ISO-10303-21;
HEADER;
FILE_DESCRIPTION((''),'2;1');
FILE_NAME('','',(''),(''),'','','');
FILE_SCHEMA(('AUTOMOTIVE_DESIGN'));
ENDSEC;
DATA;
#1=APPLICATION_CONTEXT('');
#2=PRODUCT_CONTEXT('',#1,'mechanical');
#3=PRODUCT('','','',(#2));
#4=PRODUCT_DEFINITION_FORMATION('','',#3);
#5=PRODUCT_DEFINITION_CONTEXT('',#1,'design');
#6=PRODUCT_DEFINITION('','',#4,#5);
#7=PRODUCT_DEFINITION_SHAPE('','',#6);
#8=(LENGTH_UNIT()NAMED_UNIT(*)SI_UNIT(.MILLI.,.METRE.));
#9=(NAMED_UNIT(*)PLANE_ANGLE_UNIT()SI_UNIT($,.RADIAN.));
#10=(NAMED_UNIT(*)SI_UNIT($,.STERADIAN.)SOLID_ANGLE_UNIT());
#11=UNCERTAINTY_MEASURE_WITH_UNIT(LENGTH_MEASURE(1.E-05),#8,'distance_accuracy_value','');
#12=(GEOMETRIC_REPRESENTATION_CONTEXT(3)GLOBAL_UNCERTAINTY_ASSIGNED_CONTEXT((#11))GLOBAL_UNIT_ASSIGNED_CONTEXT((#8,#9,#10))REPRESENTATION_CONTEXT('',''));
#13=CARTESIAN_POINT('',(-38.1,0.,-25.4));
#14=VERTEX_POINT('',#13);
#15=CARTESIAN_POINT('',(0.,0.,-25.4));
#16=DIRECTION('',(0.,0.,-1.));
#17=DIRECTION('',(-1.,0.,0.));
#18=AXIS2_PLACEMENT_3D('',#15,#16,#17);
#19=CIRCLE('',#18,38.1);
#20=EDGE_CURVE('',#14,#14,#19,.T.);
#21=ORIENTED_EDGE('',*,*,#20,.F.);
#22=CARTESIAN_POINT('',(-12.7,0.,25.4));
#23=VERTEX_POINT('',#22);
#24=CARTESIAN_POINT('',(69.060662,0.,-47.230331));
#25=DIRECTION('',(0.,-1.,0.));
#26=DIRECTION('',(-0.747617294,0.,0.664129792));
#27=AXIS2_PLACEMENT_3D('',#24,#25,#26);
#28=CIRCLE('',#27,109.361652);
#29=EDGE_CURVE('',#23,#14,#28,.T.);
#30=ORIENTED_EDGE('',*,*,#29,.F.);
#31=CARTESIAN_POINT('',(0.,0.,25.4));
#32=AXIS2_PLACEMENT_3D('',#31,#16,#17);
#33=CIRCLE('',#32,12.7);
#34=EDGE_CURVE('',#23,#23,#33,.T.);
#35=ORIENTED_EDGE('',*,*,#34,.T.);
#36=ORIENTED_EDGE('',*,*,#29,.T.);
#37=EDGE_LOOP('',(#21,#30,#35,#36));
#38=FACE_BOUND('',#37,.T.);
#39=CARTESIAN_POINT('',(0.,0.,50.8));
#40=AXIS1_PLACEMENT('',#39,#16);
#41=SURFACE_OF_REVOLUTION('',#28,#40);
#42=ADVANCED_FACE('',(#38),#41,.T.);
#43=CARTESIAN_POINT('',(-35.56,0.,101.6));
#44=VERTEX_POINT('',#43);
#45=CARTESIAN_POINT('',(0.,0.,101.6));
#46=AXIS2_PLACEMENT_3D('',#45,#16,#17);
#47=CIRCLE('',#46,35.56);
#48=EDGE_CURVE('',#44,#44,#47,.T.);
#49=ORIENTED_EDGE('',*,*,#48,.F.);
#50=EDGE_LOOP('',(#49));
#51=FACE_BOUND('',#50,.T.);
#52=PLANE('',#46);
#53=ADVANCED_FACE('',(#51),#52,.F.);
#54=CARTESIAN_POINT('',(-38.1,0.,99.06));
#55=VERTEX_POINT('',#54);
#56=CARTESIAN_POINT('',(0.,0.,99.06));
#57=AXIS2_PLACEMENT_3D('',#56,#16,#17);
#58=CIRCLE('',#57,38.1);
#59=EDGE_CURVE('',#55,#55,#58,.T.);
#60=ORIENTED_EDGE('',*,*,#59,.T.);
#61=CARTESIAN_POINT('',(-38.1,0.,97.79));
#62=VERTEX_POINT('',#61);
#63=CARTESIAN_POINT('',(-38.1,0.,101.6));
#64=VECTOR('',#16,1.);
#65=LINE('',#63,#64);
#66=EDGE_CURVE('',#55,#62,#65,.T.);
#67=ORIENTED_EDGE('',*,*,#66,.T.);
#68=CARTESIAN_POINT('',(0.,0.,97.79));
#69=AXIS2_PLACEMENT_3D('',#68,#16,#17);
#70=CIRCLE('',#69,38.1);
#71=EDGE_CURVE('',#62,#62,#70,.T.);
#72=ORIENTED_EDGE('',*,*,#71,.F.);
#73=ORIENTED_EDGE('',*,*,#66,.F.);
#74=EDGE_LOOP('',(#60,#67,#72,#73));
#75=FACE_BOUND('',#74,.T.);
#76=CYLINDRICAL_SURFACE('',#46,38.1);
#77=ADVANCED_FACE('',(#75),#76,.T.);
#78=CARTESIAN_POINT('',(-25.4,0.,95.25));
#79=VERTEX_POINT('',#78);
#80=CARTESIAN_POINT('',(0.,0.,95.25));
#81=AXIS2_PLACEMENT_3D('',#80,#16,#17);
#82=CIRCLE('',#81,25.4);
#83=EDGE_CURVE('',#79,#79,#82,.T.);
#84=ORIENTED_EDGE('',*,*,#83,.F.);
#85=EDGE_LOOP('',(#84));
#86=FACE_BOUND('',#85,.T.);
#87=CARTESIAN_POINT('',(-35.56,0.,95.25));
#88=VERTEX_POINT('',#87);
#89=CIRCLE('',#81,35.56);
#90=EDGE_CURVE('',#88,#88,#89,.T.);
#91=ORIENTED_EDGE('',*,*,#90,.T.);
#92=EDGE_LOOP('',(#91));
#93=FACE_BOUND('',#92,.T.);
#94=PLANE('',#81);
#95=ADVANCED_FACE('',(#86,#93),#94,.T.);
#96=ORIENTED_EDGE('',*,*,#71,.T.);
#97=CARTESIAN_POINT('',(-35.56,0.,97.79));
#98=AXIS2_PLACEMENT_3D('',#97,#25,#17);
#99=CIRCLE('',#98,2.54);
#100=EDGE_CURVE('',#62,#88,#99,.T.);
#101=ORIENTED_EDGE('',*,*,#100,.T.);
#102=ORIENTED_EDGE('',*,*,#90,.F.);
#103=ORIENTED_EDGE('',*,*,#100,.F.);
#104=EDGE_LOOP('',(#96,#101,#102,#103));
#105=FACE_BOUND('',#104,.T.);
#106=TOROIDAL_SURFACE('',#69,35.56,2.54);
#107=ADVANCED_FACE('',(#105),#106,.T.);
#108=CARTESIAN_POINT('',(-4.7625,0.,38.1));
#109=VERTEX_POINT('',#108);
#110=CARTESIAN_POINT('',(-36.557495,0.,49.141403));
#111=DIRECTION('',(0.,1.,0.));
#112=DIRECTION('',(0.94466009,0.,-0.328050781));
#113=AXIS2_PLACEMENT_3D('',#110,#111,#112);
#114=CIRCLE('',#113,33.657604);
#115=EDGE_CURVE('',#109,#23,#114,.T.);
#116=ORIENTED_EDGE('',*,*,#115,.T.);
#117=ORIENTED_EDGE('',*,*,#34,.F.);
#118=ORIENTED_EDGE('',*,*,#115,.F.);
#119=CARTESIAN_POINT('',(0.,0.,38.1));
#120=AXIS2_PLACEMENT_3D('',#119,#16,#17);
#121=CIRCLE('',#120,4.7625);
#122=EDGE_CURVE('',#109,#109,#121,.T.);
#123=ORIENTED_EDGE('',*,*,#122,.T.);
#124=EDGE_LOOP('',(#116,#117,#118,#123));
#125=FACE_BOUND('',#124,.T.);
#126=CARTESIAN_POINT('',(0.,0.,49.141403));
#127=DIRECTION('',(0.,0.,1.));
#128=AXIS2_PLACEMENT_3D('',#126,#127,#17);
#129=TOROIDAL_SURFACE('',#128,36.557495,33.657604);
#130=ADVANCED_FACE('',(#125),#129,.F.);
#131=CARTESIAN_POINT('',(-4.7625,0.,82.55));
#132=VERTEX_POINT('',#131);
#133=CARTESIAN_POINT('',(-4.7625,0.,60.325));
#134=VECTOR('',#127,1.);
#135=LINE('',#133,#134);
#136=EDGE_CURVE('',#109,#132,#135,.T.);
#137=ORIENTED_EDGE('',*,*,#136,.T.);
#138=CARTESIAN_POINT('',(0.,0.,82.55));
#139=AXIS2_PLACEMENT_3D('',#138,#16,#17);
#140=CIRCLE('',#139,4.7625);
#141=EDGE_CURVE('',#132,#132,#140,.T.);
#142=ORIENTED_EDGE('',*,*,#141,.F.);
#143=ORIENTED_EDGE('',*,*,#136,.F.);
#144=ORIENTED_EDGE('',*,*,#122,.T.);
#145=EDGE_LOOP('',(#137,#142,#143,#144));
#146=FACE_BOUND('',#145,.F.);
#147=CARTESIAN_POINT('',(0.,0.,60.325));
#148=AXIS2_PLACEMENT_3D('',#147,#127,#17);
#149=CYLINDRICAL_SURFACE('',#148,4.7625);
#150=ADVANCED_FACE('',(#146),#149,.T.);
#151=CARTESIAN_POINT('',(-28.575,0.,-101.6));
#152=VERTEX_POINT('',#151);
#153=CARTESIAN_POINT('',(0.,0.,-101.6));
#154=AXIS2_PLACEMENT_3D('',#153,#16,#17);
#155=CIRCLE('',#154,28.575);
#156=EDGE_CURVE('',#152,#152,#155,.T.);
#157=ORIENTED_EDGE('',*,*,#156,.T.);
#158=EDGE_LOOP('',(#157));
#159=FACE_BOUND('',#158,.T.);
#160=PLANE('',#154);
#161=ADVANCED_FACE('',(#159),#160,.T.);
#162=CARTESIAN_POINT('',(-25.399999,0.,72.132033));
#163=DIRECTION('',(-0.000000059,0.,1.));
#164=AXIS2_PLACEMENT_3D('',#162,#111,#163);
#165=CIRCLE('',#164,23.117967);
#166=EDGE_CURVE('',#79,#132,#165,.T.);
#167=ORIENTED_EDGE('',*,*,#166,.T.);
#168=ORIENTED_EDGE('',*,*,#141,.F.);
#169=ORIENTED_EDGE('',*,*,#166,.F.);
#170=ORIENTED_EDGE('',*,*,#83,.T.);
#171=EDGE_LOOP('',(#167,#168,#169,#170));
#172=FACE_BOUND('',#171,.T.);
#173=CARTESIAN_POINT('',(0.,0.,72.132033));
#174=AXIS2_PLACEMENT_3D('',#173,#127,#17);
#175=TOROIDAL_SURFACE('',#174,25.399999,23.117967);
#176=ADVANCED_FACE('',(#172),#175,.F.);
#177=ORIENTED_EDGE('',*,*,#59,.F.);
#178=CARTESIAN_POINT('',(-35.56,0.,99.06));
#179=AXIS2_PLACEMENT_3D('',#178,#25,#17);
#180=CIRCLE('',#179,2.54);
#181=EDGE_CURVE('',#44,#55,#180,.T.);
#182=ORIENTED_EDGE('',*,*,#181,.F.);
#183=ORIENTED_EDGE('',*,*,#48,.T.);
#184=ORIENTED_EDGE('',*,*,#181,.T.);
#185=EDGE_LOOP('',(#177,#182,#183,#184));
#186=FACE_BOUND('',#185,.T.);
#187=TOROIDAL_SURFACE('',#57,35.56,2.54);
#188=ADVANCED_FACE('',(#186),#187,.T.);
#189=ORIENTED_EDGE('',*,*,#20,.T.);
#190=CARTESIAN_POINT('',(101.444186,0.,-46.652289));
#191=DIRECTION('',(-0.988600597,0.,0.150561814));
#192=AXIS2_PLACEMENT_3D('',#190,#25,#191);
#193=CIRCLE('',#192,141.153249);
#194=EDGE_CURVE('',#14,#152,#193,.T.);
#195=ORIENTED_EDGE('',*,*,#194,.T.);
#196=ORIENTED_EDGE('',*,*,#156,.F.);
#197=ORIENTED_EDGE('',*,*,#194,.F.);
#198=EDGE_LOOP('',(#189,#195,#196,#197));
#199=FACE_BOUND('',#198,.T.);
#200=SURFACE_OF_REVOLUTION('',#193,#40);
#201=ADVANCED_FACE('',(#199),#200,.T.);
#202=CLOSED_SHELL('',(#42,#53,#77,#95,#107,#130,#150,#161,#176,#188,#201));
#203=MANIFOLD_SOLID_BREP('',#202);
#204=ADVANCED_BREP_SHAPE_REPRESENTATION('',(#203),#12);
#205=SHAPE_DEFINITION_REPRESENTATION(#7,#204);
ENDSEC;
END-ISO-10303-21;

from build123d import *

# Parameters (mm, degrees)
F0_W = 4.7625
F0_H = 44.45
F2_R = 2.54


with BuildPart() as f1:
    # F0 (on Front) → F1 (revolve)
    with BuildSketch(Plane.XZ):
        with BuildLine():
            Line((0, 82.55), (0, 101.6))
            Line((0, 101.6), (-38.1, 101.6))
            Line((-38.1, 101.6), (-38.1, 95.25))
            Line((-38.1, 95.25), (-25.4, 95.25))
            ThreePointArc((-25.4, 95.25), (-13.283932, 91.820642), (-4.7625, 82.55))
            Line((-4.7625, 82.55), (0, 82.55))
        make_face()
        with Locations((-2.38125, 60.325)):
            Rectangle(F0_W, F0_H)
        with BuildLine():
            Line((0, 25.4), (0, 38.1))
            Line((0, 38.1), (-4.7625, 38.1))
            ThreePointArc((-4.7625, 38.1), (-8.015904, 31.302909), (-12.7, 25.4))
            Line((-12.7, 25.4), (0, 25.4))
        make_face()
        with BuildLine():
            Line((0, 0), (0, 25.4))
            Line((0, 25.4), (-12.7, 25.4))
            ThreePointArc((-12.7, 25.4), (-28.755373, 1.677686), (-38.1, -25.4))
            Line((-38.1, -25.4), (0, -25.4))
            Line((0, -25.4), (0, 0))
        make_face()
        with BuildLine():
            Line((0, -101.6), (0, -25.4))
            Line((0, -25.4), (-38.1, -25.4))
            ThreePointArc((-38.1, -25.4), (-38.61906, -64.160195), (-28.575, -101.6))
            Line((-28.575, -101.6), (0, -101.6))
        make_face()
    revolve(axis=Axis((0, 0, 50.8), (0, 0, -1)))

    # F2
    f2_edges = [f1.edges().sort_by_distance(p)[0] for p in [
        (38.1, 0, 101.6),
        (38.1, 0, 95.25),
    ]]
    fillet(f2_edges, radius=F2_R)


solid = f1.part
